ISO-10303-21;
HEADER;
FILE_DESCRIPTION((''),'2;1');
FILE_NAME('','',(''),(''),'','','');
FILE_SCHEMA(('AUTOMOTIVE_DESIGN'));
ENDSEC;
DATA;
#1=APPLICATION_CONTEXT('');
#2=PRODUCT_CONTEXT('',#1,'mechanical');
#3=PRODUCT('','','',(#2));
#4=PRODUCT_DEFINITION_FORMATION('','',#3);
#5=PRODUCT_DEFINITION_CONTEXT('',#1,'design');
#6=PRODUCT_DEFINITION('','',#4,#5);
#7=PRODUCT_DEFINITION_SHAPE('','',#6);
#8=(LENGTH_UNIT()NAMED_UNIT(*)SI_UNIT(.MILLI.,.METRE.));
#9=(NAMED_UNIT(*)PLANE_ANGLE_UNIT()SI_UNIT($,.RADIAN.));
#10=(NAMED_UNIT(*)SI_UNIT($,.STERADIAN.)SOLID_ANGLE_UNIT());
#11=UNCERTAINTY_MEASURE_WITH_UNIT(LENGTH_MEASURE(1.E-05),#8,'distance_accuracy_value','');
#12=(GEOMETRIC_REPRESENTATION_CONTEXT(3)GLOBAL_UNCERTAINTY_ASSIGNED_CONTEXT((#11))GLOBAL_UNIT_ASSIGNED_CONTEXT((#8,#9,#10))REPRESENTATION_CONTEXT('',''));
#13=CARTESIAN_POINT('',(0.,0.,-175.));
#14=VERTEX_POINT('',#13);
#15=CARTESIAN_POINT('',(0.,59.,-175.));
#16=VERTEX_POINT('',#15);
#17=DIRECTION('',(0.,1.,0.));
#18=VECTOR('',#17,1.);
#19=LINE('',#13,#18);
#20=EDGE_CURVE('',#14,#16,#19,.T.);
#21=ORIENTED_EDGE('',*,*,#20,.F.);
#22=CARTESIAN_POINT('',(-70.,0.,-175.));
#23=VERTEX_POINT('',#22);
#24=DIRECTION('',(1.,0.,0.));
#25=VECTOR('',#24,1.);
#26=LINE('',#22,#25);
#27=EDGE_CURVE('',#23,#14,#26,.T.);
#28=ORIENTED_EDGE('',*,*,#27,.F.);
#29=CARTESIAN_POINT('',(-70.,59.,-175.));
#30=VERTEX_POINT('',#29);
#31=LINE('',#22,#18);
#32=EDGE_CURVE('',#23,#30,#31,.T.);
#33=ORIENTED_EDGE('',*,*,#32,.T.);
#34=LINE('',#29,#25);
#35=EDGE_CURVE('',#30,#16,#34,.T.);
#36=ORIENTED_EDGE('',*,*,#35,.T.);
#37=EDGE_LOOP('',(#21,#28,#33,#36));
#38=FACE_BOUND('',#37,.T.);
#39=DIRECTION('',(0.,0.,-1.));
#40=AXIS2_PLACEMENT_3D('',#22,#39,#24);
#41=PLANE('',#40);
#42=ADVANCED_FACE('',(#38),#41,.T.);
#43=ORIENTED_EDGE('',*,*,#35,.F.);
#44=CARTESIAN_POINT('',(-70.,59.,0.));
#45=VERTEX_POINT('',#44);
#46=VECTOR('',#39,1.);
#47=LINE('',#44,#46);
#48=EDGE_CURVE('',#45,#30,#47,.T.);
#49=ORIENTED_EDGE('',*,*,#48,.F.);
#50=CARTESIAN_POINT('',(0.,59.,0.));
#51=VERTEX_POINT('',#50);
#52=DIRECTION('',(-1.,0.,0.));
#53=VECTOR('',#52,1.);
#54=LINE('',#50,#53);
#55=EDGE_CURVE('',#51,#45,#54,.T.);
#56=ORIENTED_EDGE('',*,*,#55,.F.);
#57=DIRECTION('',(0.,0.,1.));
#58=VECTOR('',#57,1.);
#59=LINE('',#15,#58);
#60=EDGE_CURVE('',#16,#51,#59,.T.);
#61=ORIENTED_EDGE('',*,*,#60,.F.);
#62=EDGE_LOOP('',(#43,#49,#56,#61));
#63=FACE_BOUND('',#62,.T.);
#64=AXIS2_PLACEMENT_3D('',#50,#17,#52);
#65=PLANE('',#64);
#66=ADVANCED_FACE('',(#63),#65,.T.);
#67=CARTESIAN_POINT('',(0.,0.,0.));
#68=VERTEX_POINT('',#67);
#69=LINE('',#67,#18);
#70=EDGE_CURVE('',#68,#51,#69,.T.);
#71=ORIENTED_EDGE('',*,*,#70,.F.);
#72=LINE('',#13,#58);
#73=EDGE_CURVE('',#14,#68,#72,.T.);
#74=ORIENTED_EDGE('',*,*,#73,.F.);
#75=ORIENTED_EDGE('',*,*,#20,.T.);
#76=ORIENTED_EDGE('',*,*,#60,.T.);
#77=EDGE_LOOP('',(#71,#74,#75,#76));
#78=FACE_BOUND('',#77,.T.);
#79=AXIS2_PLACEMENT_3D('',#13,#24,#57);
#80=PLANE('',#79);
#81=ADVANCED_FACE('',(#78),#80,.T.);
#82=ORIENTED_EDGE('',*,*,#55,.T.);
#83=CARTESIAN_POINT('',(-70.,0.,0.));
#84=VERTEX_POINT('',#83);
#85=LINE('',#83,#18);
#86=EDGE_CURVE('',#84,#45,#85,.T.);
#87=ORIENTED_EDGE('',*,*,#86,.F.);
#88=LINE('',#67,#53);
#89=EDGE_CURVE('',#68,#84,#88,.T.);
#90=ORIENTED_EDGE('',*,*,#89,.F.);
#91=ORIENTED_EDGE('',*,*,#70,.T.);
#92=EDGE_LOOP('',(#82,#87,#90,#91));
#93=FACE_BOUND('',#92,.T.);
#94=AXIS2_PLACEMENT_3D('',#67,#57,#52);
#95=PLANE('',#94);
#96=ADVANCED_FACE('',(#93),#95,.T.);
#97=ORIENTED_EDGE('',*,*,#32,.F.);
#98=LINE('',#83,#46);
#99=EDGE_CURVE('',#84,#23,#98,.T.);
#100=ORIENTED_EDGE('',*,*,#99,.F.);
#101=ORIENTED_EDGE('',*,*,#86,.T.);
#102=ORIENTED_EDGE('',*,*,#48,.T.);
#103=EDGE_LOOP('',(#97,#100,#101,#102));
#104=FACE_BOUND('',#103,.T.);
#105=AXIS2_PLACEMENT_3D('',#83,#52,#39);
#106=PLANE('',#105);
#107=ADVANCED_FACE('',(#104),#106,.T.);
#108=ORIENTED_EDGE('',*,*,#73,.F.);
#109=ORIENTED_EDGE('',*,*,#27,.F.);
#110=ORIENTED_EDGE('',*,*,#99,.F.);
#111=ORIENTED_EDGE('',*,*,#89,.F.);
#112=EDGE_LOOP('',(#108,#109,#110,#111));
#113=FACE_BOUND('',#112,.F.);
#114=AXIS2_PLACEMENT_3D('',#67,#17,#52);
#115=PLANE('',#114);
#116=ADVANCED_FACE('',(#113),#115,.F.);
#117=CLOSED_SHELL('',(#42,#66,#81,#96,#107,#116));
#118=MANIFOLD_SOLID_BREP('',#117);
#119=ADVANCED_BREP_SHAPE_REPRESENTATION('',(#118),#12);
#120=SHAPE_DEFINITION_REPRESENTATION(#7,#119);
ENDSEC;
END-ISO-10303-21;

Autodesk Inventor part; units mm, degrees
ref_plane "YZ Plane" through (0, 0, 0) normal (1, 0, 0) x (0, 1, 0)
ref_plane "XZ Plane" through (0, 0, 0) normal (0, 1, 0) x (-1, 0, 0)
ref_plane "XY Plane" through (0, 0, 0) normal (0, 0, 1) x (1, 0, 0)
sketch "Sketch1" plane through (0, 0, 0) normal (0, 1, 0) x (-1, 0, 0)
  line L0 (0, 0) -> (70, 0)
  line L1 (70, 0) -> (70, -175)
  line L2 (70, -175) -> (0, -175)
  line L3 (0, -175) -> (0, 0)
  dimension "d0" = 175
  dimension "d1" = 70
extrude "Extrusion1" add sketch "Sketch1" along normal blind 59
properties part number "Liperior_13000mAh_Battery"
